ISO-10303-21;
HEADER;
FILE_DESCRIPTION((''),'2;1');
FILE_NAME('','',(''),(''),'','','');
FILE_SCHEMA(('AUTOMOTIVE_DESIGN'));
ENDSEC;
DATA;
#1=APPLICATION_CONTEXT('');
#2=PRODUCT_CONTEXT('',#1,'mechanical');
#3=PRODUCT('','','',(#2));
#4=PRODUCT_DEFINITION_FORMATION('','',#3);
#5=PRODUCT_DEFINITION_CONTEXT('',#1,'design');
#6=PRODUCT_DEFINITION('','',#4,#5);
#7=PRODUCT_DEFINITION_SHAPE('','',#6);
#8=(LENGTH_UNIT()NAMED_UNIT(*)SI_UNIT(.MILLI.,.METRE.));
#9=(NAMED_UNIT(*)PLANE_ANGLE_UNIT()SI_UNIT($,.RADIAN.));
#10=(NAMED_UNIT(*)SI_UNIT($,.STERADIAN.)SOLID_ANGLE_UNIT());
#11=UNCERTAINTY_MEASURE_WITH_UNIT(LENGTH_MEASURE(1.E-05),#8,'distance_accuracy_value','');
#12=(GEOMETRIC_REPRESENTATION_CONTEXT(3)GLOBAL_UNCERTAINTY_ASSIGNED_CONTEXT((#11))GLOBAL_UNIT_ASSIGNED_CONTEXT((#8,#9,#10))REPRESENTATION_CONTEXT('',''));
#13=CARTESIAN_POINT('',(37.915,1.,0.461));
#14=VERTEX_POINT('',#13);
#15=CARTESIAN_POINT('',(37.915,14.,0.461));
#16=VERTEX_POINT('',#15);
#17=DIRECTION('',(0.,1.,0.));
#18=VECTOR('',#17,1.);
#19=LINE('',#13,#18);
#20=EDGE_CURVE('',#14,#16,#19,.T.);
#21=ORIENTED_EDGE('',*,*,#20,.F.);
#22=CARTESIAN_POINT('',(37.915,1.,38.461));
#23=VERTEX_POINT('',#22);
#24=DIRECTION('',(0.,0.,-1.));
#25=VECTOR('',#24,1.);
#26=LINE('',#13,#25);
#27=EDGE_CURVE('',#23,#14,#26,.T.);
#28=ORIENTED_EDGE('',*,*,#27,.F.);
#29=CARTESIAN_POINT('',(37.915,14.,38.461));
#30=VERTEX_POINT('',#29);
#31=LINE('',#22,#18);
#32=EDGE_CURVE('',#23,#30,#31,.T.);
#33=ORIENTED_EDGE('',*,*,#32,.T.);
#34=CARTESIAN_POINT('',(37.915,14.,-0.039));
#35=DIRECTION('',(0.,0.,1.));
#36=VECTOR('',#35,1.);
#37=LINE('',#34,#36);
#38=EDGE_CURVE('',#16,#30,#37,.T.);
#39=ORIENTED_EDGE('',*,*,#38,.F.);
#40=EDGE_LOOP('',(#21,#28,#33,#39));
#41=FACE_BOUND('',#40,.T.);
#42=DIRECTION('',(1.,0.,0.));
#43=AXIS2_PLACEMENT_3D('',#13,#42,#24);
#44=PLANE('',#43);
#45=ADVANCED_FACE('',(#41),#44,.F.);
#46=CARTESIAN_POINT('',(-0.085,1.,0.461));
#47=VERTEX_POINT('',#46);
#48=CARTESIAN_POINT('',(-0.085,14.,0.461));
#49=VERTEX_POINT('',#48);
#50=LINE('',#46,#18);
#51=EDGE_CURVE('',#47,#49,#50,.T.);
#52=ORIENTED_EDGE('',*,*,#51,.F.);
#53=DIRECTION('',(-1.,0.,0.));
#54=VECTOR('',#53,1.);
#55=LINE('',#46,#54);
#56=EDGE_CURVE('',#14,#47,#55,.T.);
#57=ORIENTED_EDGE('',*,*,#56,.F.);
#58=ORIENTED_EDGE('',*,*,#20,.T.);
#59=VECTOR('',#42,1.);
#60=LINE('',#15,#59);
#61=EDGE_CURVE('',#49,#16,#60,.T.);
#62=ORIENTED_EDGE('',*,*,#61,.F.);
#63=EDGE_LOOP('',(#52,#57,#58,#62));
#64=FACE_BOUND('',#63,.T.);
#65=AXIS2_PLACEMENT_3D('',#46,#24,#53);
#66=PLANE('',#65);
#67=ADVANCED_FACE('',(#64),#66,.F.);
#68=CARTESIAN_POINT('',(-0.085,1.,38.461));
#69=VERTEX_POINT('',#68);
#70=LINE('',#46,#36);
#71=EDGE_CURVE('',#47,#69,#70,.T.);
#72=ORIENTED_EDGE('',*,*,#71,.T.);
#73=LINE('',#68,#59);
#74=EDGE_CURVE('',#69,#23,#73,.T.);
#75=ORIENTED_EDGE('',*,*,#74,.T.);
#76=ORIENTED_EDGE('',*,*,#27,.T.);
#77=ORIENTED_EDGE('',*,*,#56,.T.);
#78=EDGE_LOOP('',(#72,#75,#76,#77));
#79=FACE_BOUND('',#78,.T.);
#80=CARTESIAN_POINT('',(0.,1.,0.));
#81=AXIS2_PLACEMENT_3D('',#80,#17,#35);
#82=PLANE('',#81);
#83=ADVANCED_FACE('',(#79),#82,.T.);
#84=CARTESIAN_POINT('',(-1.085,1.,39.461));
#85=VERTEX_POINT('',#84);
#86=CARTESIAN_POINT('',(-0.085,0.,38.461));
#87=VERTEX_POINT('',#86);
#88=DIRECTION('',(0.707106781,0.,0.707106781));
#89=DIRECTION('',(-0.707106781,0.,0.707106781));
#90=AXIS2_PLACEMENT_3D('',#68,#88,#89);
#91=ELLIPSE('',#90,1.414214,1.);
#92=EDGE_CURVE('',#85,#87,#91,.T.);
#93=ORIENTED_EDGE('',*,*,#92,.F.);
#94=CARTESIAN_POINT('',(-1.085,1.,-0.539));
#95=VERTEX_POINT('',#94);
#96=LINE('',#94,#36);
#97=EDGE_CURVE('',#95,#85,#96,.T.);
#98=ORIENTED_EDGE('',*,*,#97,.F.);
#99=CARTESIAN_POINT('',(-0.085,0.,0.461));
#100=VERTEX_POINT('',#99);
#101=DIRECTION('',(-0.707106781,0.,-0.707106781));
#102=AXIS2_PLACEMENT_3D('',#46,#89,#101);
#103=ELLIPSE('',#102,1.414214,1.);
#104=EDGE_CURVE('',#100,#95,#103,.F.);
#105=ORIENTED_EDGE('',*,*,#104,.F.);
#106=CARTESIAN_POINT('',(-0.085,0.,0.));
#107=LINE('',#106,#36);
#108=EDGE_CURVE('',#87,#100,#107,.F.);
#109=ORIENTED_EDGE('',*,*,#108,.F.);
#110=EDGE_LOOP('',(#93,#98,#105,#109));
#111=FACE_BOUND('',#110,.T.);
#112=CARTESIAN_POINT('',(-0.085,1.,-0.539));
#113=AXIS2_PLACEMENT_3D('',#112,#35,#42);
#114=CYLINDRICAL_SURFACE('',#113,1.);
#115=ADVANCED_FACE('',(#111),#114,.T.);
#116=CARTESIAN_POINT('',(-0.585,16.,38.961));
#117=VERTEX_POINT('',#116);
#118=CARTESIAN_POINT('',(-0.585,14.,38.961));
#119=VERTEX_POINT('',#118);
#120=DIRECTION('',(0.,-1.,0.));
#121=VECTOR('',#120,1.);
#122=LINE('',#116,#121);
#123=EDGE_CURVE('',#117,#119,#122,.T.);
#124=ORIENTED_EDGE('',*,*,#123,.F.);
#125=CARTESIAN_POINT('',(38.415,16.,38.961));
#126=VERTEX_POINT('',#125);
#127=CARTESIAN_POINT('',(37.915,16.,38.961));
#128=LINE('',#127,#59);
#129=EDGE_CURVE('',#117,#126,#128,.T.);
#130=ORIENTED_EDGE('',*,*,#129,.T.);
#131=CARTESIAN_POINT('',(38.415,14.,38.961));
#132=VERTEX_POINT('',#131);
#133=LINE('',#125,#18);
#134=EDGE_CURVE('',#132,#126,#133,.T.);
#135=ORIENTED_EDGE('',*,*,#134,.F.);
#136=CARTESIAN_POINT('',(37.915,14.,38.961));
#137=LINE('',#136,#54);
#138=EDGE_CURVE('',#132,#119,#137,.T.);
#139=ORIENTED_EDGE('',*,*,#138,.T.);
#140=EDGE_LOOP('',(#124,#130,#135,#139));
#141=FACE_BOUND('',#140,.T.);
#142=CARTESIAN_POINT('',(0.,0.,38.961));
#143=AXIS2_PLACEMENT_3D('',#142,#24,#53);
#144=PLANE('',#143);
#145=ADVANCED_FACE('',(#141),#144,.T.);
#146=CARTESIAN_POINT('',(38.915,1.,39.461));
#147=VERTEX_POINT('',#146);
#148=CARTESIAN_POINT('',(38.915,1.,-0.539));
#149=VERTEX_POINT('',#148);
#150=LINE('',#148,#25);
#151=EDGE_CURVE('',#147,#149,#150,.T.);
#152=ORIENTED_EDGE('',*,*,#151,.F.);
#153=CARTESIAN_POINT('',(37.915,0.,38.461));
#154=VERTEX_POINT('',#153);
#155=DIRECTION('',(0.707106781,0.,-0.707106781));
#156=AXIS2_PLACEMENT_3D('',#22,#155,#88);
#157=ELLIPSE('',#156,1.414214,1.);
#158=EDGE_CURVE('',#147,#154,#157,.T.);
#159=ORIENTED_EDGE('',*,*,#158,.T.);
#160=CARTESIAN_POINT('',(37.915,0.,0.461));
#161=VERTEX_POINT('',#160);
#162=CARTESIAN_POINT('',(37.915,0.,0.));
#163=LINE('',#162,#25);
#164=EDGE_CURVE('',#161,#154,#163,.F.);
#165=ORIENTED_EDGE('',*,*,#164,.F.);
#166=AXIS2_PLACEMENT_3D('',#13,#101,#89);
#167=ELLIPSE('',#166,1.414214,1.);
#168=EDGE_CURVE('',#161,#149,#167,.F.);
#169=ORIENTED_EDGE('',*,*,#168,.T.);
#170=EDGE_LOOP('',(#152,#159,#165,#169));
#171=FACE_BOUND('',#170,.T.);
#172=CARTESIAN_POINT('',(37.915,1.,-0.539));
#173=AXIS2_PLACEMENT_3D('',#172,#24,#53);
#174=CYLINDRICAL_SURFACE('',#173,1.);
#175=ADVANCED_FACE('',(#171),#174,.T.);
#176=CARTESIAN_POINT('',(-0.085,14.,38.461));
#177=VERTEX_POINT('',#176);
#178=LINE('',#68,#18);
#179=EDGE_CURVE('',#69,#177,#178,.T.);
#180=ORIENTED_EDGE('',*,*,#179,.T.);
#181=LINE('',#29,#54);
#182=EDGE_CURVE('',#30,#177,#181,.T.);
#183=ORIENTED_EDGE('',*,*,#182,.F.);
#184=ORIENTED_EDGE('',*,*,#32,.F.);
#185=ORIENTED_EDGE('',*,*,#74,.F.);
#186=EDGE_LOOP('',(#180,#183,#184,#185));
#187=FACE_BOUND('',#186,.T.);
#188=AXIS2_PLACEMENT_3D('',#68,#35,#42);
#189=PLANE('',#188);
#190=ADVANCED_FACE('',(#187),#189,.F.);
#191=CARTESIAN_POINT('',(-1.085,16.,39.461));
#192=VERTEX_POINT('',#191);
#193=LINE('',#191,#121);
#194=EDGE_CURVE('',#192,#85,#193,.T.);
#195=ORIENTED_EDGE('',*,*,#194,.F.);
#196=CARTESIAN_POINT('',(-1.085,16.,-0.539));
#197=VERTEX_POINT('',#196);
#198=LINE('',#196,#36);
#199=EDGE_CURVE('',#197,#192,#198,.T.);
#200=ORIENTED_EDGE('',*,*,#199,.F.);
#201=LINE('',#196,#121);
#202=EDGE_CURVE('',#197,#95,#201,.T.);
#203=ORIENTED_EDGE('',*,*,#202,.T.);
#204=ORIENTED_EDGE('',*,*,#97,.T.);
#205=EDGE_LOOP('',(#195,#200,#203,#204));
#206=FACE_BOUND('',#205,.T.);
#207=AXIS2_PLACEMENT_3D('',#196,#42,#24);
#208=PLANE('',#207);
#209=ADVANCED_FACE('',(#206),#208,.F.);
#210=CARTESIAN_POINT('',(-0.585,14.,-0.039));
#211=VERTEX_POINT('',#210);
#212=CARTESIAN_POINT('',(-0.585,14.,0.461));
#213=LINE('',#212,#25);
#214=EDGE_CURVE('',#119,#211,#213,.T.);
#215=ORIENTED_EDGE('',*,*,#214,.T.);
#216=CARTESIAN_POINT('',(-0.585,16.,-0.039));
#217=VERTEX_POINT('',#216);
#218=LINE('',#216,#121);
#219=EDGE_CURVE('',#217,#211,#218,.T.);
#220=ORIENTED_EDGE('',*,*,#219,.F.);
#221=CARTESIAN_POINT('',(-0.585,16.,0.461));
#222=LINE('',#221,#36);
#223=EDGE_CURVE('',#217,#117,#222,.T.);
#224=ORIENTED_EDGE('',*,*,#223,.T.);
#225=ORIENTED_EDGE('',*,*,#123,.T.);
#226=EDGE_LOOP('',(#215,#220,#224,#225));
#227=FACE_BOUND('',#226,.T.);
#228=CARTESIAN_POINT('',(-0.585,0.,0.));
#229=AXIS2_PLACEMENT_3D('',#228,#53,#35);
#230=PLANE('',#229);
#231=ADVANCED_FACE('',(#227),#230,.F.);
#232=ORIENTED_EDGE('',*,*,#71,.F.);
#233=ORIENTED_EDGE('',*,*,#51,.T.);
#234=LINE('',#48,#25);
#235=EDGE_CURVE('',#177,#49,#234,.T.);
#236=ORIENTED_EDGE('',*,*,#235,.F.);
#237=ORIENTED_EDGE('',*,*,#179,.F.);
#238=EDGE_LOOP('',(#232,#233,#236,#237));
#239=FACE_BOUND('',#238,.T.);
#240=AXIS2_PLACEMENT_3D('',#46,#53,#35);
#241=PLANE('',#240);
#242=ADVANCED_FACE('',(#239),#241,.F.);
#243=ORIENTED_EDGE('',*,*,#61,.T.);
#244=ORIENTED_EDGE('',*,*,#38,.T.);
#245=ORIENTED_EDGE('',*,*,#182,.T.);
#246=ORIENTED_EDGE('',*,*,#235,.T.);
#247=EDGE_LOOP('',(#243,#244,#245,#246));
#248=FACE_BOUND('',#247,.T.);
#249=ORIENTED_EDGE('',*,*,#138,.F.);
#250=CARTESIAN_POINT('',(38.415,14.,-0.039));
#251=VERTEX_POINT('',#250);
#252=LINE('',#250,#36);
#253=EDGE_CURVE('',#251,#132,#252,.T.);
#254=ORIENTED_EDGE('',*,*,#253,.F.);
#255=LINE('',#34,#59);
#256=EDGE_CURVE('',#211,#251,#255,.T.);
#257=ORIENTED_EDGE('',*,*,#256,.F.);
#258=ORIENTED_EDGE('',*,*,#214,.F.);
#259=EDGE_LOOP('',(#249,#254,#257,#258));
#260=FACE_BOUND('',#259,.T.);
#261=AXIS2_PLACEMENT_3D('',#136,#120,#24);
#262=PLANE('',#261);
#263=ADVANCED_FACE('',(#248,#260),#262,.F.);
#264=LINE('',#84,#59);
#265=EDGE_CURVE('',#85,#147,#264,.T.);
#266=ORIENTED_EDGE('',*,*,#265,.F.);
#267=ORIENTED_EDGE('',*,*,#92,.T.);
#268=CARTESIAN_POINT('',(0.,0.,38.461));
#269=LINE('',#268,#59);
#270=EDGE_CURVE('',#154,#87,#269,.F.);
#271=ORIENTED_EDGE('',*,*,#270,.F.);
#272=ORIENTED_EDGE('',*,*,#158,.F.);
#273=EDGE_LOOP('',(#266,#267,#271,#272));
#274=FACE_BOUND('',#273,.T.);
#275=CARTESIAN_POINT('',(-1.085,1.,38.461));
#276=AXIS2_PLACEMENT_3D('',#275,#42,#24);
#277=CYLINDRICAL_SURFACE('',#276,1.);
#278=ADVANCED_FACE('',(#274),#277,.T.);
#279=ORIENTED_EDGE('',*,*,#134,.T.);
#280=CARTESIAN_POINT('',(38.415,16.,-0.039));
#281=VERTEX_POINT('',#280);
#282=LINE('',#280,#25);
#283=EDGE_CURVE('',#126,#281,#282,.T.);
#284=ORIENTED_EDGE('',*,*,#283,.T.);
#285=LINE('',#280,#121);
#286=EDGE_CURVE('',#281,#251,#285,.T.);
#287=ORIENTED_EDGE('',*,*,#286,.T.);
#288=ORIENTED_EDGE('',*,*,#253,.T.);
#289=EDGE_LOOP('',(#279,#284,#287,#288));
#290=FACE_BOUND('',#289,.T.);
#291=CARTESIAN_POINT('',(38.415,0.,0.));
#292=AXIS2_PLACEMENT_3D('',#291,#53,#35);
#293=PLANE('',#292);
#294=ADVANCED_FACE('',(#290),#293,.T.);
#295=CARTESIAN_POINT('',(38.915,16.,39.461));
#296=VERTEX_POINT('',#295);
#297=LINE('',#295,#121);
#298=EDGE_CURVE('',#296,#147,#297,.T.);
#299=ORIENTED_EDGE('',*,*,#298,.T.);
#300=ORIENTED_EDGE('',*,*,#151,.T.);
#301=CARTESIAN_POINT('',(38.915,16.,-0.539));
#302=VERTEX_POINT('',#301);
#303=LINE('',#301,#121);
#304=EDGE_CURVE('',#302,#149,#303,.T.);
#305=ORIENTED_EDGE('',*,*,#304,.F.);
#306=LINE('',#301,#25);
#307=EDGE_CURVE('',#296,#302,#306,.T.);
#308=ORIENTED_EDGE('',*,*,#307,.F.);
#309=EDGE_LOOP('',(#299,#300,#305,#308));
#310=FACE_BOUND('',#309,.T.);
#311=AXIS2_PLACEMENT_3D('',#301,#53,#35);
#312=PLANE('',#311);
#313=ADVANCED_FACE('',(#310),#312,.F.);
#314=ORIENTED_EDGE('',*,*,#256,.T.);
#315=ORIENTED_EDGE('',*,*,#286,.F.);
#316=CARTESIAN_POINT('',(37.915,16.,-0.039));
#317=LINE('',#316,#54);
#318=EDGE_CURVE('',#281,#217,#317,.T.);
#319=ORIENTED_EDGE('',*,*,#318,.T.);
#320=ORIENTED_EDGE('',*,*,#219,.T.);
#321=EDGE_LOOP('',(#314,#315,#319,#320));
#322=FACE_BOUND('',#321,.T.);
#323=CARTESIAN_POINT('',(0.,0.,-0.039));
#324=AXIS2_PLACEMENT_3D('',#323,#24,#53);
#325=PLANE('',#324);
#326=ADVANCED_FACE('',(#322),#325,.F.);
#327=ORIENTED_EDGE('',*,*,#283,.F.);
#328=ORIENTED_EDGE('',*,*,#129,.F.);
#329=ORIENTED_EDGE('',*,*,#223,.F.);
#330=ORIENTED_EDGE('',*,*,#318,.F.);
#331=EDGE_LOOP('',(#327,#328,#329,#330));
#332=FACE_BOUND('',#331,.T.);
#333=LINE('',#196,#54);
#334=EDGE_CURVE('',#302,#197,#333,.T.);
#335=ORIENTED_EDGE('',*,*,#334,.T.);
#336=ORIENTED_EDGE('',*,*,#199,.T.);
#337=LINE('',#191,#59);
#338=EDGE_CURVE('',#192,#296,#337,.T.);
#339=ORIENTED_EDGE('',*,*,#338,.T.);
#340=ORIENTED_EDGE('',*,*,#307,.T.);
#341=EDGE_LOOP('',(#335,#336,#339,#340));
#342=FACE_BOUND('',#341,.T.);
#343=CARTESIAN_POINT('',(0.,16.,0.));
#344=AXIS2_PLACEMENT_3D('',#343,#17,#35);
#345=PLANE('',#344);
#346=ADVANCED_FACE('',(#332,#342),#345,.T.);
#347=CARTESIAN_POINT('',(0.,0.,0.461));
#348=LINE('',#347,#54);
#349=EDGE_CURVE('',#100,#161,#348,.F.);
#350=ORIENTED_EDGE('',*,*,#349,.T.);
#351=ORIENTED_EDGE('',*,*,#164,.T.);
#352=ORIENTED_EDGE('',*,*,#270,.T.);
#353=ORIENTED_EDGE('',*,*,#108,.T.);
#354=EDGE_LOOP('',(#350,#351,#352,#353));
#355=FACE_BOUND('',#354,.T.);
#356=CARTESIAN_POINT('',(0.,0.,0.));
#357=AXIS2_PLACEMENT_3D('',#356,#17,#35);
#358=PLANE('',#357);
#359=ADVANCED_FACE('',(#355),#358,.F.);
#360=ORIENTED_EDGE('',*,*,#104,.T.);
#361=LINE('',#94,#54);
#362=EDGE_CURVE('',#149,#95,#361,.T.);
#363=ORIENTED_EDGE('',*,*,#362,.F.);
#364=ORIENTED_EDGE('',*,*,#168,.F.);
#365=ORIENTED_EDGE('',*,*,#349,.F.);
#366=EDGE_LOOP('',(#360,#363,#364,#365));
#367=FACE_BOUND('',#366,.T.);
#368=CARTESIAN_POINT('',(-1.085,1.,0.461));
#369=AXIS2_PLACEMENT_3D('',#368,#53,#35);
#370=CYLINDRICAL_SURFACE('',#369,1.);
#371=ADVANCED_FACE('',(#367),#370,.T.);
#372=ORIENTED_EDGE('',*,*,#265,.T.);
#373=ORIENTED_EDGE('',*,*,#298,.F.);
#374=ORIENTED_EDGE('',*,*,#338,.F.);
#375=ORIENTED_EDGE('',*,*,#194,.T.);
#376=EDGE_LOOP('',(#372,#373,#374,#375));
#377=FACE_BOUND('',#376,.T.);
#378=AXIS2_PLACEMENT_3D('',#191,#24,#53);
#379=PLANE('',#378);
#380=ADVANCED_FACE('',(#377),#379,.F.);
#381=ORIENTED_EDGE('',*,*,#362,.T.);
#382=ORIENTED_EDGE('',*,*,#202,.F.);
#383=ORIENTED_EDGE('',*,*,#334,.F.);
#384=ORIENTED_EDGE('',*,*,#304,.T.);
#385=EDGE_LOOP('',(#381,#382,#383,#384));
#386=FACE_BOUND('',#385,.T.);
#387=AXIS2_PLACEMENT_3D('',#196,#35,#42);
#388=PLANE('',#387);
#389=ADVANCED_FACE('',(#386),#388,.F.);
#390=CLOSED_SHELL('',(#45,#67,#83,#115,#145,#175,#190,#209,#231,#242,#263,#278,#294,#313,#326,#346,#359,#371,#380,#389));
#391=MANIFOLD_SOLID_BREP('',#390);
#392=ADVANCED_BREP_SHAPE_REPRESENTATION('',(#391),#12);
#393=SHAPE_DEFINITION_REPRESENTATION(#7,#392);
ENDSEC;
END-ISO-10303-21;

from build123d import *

# Parameters (mm, degrees)
SKETCH_1_W          = 40
SKETCH_1_H          = 40
EXTRUDE_1_DEPTH     = 16
SKETCH_2_W          = 38
SKETCH_2_H          = 38
CUT_EXTRUDE_2_DEPTH = 15
FILLET_2_R          = 1
SKETCH_5_W          = 38
SKETCH_5_H          = 2
CUT_EXTRUDE_4_DEPTH = 0.5
SKETCH_6_W          = 38.5
SKETCH_6_H          = 2
CUT_EXTRUDE_5_DEPTH = 0.5
SKETCH_7_W          = 38.5
SKETCH_7_H          = 2
CUT_EXTRUDE_6_DEPTH = 0.5
SKETCH_8_W          = 39
SKETCH_8_H          = 2
CUT_EXTRUDE_7_DEPTH = 0.5


with BuildPart() as part:
    # Эскиз1 → Бобышка-Вытянуть1 (new body)
    with BuildSketch(Plane(origin=(0, 0, 0), x_dir=(1, 0, 0), z_dir=(0, 1, 0))):
        with Locations((18.915, -19.461)):
            Rectangle(SKETCH_1_W, SKETCH_1_H)
    extrude(amount=EXTRUDE_1_DEPTH)

    # Эскиз2 → Вырез-Вытянуть2 (cut)
    with BuildSketch(Plane(origin=(0, 16, 0), x_dir=(1, 0, 0), z_dir=(0, 1, 0))):
        with Locations((18.915, -19.461)):
            Rectangle(SKETCH_2_W, SKETCH_2_H)
    extrude(amount=-CUT_EXTRUDE_2_DEPTH, mode=Mode.SUBTRACT)

    # Скругление2
    fillet_2_edges = [part.edges().sort_by_distance(p)[0] for p in [
        (18.915, 0, -0.539),
        (38.915, 0, 19.461),
        (18.915, 0, 39.461),
        (-1.085, 0, 19.461),
    ]]
    fillet(fillet_2_edges, radius=FILLET_2_R)

    # Эскиз5 → Вырез-Вытянуть4 (cut)
    with BuildSketch(Plane(origin=(0, 0, 38.461), x_dir=(-1, 0, 0), z_dir=(0, 0, -1))):
        with Locations((-18.915, 15)):
            Rectangle(SKETCH_5_W, SKETCH_5_H)
    extrude(amount=-CUT_EXTRUDE_4_DEPTH, mode=Mode.SUBTRACT)

    # Эскиз6 → Вырез-Вытянуть5 (cut)
    with BuildSketch(Plane(origin=(-0.085, 0, 0), x_dir=(0, 0, -1), z_dir=(1, 0, 0))):
        with Locations((-19.711, 15)):
            Rectangle(SKETCH_6_W, SKETCH_6_H)
    extrude(amount=-CUT_EXTRUDE_5_DEPTH, mode=Mode.SUBTRACT)

    # Эскиз7 → Вырез-Вытянуть6 (cut)
    with BuildSketch(Plane.XY.offset(0.461)):
        with Locations((18.665, 15)):
            Rectangle(SKETCH_7_W, SKETCH_7_H)
    extrude(amount=-CUT_EXTRUDE_6_DEPTH, mode=Mode.SUBTRACT)

    # Эскиз8 → Вырез-Вытянуть7 (cut)
    with BuildSketch(Plane.ZY.offset(-37.915)):
        with Locations((19.461, 15)):
            Rectangle(SKETCH_8_W, SKETCH_8_H)
    extrude(amount=-CUT_EXTRUDE_7_DEPTH, mode=Mode.SUBTRACT)


solid = part.part
